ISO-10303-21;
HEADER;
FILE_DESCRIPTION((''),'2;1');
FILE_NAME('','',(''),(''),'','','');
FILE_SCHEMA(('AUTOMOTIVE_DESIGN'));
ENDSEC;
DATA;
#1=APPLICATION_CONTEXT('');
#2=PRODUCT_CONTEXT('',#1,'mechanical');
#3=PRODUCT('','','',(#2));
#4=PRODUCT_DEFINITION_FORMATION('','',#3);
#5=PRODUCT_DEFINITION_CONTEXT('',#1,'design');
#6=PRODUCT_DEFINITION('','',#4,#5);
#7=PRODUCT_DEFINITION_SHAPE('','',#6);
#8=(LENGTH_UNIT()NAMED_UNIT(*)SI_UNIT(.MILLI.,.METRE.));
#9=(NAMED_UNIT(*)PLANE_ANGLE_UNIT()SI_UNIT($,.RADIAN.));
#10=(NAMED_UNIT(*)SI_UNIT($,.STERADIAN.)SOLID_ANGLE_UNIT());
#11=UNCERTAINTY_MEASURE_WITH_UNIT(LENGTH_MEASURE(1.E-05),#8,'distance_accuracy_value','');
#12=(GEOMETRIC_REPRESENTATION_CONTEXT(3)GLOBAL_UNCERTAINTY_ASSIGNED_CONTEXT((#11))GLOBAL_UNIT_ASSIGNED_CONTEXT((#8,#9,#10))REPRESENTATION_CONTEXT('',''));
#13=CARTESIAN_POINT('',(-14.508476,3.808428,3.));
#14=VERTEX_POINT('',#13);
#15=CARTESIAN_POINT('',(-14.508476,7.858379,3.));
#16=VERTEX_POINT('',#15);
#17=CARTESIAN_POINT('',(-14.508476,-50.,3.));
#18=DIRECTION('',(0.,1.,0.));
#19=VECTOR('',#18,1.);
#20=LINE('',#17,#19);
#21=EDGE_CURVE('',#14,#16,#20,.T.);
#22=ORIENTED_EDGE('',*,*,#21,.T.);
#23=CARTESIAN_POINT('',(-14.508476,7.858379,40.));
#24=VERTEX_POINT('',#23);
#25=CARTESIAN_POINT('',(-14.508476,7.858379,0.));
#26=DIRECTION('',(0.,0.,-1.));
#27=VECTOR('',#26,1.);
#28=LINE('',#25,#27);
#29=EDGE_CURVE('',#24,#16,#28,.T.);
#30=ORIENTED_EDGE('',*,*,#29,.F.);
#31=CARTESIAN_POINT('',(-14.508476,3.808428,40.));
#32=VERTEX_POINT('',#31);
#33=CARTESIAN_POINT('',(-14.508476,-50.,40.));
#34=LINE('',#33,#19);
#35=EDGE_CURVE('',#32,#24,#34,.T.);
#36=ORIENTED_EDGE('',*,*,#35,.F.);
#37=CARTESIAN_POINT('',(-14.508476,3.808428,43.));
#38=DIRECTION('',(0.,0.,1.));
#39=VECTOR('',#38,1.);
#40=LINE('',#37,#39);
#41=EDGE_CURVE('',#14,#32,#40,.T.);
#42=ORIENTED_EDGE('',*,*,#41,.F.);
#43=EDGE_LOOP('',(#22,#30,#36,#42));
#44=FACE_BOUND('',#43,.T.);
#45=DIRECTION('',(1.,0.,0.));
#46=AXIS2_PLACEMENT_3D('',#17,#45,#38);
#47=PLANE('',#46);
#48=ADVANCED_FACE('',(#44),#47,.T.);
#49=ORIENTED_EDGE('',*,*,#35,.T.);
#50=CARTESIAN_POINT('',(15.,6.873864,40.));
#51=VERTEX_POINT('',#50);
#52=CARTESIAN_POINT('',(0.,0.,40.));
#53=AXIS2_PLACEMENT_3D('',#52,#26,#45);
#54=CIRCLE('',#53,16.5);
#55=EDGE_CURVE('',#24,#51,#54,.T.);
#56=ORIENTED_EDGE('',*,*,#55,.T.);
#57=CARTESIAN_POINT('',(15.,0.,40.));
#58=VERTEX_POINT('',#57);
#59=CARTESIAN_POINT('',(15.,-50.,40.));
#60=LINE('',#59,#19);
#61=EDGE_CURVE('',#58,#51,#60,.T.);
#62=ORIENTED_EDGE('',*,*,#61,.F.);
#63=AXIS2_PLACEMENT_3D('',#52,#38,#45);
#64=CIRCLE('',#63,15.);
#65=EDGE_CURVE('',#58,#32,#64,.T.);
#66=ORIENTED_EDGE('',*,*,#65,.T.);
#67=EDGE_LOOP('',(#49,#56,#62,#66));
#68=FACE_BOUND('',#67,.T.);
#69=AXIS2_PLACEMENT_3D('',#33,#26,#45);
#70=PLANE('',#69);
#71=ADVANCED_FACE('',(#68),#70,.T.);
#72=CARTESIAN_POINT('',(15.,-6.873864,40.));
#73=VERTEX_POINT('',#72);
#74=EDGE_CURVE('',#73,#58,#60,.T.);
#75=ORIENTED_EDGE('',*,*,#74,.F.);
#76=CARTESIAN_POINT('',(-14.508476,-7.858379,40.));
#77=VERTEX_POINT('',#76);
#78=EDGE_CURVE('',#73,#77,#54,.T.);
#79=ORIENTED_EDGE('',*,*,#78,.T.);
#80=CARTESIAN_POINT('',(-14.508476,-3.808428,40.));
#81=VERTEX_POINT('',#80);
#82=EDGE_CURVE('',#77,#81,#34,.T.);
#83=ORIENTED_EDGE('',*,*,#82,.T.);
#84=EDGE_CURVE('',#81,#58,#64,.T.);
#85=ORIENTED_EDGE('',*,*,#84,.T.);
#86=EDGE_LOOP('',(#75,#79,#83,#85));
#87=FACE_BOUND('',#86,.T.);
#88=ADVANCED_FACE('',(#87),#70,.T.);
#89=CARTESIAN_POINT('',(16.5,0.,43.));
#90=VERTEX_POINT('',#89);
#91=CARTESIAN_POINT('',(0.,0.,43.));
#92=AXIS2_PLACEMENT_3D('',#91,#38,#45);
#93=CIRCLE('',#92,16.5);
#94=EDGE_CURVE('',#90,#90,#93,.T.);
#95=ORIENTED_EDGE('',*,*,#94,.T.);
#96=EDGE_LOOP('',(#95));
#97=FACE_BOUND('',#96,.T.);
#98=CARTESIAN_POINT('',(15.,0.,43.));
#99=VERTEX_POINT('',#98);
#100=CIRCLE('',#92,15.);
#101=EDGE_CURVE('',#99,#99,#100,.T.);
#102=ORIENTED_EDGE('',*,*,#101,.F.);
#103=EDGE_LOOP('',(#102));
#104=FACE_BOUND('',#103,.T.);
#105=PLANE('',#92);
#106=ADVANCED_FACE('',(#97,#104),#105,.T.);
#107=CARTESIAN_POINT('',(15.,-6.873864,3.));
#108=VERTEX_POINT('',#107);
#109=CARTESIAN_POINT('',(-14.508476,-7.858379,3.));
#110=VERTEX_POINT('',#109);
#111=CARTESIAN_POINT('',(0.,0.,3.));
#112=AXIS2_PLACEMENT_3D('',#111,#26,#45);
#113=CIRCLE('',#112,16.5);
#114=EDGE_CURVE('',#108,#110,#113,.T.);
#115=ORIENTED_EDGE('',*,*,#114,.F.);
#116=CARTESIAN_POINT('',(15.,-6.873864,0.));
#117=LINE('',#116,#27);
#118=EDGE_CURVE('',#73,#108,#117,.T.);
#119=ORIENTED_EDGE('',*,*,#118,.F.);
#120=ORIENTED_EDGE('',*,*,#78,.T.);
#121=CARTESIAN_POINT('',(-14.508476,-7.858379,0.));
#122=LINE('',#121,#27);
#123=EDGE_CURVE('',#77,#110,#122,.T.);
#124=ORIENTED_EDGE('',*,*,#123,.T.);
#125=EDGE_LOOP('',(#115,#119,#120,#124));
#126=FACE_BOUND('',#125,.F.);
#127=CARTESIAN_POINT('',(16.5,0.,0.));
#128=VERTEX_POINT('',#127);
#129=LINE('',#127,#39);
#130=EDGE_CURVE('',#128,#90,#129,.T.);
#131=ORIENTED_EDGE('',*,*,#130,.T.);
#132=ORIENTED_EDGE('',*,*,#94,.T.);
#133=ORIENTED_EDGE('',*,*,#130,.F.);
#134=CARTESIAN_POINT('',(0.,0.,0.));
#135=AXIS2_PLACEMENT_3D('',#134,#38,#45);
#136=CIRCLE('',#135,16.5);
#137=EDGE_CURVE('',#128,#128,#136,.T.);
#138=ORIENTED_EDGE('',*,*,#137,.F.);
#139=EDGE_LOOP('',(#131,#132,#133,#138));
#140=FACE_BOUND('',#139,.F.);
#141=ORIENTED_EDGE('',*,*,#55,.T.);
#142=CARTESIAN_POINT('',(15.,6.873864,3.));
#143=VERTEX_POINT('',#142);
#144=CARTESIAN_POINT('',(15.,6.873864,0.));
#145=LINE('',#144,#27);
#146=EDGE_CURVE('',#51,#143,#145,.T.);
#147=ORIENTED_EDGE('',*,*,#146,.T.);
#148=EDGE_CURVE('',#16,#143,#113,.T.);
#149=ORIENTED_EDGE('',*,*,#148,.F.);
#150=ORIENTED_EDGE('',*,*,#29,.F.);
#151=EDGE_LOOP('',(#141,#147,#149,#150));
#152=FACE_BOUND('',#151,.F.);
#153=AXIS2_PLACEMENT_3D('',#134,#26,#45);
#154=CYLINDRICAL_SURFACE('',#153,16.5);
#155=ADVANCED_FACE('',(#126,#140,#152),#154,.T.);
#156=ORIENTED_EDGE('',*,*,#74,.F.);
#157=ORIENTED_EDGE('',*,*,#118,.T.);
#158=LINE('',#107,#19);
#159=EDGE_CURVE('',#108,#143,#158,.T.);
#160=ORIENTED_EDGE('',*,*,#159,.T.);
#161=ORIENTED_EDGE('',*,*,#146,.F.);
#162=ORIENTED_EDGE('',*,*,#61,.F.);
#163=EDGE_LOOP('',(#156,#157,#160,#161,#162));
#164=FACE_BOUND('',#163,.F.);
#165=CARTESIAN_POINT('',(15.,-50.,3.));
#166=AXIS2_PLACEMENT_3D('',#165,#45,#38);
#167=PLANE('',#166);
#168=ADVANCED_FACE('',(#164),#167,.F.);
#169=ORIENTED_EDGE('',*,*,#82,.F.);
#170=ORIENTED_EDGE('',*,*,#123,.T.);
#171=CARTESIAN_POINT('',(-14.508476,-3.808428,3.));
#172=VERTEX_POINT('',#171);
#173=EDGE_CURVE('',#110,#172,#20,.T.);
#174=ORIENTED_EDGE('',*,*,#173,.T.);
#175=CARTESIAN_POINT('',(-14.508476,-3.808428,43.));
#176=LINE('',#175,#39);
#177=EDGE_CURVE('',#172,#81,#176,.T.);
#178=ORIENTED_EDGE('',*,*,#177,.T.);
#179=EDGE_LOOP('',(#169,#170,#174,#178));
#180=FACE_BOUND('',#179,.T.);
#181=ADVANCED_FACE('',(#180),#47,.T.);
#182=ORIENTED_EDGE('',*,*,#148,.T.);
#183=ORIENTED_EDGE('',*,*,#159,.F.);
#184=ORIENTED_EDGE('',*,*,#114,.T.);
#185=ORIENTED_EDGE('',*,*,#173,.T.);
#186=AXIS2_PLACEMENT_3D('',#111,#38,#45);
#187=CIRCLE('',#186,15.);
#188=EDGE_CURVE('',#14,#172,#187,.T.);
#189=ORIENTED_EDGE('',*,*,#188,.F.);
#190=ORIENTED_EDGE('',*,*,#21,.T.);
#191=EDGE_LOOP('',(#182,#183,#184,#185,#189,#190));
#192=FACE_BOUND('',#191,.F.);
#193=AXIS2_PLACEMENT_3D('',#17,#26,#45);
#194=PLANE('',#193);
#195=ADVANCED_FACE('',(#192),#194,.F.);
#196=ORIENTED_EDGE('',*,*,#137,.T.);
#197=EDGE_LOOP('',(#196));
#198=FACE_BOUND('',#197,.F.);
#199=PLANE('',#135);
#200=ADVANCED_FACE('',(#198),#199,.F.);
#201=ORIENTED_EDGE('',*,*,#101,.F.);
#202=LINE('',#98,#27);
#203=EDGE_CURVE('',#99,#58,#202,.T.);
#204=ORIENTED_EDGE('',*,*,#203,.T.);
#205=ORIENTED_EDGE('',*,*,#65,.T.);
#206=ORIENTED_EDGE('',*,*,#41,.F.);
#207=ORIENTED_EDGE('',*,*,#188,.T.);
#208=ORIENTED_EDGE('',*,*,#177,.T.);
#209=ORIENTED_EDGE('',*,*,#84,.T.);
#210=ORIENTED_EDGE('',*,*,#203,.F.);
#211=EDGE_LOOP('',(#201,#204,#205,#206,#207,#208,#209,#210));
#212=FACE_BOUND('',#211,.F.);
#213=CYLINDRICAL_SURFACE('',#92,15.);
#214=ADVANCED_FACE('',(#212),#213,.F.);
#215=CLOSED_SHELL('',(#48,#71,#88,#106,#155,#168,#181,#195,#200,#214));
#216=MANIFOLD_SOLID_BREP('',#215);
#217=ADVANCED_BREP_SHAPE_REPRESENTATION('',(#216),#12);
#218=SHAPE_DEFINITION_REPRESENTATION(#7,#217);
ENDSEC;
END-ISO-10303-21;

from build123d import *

# Parameters (mm, degrees)
F0_R     = 16.5
F1_DEPTH = 43
F2_R     = 15
F3_DEPTH = 40
F5_W     = 29.508476
F5_H     = 37
F6_DEPTH = 66.501


with BuildPart() as f1:
    # F0 (on Top) → F1 (new body)
    with BuildSketch(Plane.XY):
        Circle(F0_R)
    extrude(amount=F1_DEPTH)

    # F2 (on face) → F3 (cut)
    with BuildSketch(Plane.XY.offset(43)):
        Circle(F2_R)
    extrude(amount=-F3_DEPTH, mode=Mode.SUBTRACT)

    # F5 (on offset) → F6 (cut, through all)
    with BuildSketch(Plane.XZ.offset(50)):
        with Locations((0.245762, 21.5)):
            Rectangle(F5_W, F5_H)
    extrude(amount=-F6_DEPTH, mode=Mode.SUBTRACT)


solid = f1.part
